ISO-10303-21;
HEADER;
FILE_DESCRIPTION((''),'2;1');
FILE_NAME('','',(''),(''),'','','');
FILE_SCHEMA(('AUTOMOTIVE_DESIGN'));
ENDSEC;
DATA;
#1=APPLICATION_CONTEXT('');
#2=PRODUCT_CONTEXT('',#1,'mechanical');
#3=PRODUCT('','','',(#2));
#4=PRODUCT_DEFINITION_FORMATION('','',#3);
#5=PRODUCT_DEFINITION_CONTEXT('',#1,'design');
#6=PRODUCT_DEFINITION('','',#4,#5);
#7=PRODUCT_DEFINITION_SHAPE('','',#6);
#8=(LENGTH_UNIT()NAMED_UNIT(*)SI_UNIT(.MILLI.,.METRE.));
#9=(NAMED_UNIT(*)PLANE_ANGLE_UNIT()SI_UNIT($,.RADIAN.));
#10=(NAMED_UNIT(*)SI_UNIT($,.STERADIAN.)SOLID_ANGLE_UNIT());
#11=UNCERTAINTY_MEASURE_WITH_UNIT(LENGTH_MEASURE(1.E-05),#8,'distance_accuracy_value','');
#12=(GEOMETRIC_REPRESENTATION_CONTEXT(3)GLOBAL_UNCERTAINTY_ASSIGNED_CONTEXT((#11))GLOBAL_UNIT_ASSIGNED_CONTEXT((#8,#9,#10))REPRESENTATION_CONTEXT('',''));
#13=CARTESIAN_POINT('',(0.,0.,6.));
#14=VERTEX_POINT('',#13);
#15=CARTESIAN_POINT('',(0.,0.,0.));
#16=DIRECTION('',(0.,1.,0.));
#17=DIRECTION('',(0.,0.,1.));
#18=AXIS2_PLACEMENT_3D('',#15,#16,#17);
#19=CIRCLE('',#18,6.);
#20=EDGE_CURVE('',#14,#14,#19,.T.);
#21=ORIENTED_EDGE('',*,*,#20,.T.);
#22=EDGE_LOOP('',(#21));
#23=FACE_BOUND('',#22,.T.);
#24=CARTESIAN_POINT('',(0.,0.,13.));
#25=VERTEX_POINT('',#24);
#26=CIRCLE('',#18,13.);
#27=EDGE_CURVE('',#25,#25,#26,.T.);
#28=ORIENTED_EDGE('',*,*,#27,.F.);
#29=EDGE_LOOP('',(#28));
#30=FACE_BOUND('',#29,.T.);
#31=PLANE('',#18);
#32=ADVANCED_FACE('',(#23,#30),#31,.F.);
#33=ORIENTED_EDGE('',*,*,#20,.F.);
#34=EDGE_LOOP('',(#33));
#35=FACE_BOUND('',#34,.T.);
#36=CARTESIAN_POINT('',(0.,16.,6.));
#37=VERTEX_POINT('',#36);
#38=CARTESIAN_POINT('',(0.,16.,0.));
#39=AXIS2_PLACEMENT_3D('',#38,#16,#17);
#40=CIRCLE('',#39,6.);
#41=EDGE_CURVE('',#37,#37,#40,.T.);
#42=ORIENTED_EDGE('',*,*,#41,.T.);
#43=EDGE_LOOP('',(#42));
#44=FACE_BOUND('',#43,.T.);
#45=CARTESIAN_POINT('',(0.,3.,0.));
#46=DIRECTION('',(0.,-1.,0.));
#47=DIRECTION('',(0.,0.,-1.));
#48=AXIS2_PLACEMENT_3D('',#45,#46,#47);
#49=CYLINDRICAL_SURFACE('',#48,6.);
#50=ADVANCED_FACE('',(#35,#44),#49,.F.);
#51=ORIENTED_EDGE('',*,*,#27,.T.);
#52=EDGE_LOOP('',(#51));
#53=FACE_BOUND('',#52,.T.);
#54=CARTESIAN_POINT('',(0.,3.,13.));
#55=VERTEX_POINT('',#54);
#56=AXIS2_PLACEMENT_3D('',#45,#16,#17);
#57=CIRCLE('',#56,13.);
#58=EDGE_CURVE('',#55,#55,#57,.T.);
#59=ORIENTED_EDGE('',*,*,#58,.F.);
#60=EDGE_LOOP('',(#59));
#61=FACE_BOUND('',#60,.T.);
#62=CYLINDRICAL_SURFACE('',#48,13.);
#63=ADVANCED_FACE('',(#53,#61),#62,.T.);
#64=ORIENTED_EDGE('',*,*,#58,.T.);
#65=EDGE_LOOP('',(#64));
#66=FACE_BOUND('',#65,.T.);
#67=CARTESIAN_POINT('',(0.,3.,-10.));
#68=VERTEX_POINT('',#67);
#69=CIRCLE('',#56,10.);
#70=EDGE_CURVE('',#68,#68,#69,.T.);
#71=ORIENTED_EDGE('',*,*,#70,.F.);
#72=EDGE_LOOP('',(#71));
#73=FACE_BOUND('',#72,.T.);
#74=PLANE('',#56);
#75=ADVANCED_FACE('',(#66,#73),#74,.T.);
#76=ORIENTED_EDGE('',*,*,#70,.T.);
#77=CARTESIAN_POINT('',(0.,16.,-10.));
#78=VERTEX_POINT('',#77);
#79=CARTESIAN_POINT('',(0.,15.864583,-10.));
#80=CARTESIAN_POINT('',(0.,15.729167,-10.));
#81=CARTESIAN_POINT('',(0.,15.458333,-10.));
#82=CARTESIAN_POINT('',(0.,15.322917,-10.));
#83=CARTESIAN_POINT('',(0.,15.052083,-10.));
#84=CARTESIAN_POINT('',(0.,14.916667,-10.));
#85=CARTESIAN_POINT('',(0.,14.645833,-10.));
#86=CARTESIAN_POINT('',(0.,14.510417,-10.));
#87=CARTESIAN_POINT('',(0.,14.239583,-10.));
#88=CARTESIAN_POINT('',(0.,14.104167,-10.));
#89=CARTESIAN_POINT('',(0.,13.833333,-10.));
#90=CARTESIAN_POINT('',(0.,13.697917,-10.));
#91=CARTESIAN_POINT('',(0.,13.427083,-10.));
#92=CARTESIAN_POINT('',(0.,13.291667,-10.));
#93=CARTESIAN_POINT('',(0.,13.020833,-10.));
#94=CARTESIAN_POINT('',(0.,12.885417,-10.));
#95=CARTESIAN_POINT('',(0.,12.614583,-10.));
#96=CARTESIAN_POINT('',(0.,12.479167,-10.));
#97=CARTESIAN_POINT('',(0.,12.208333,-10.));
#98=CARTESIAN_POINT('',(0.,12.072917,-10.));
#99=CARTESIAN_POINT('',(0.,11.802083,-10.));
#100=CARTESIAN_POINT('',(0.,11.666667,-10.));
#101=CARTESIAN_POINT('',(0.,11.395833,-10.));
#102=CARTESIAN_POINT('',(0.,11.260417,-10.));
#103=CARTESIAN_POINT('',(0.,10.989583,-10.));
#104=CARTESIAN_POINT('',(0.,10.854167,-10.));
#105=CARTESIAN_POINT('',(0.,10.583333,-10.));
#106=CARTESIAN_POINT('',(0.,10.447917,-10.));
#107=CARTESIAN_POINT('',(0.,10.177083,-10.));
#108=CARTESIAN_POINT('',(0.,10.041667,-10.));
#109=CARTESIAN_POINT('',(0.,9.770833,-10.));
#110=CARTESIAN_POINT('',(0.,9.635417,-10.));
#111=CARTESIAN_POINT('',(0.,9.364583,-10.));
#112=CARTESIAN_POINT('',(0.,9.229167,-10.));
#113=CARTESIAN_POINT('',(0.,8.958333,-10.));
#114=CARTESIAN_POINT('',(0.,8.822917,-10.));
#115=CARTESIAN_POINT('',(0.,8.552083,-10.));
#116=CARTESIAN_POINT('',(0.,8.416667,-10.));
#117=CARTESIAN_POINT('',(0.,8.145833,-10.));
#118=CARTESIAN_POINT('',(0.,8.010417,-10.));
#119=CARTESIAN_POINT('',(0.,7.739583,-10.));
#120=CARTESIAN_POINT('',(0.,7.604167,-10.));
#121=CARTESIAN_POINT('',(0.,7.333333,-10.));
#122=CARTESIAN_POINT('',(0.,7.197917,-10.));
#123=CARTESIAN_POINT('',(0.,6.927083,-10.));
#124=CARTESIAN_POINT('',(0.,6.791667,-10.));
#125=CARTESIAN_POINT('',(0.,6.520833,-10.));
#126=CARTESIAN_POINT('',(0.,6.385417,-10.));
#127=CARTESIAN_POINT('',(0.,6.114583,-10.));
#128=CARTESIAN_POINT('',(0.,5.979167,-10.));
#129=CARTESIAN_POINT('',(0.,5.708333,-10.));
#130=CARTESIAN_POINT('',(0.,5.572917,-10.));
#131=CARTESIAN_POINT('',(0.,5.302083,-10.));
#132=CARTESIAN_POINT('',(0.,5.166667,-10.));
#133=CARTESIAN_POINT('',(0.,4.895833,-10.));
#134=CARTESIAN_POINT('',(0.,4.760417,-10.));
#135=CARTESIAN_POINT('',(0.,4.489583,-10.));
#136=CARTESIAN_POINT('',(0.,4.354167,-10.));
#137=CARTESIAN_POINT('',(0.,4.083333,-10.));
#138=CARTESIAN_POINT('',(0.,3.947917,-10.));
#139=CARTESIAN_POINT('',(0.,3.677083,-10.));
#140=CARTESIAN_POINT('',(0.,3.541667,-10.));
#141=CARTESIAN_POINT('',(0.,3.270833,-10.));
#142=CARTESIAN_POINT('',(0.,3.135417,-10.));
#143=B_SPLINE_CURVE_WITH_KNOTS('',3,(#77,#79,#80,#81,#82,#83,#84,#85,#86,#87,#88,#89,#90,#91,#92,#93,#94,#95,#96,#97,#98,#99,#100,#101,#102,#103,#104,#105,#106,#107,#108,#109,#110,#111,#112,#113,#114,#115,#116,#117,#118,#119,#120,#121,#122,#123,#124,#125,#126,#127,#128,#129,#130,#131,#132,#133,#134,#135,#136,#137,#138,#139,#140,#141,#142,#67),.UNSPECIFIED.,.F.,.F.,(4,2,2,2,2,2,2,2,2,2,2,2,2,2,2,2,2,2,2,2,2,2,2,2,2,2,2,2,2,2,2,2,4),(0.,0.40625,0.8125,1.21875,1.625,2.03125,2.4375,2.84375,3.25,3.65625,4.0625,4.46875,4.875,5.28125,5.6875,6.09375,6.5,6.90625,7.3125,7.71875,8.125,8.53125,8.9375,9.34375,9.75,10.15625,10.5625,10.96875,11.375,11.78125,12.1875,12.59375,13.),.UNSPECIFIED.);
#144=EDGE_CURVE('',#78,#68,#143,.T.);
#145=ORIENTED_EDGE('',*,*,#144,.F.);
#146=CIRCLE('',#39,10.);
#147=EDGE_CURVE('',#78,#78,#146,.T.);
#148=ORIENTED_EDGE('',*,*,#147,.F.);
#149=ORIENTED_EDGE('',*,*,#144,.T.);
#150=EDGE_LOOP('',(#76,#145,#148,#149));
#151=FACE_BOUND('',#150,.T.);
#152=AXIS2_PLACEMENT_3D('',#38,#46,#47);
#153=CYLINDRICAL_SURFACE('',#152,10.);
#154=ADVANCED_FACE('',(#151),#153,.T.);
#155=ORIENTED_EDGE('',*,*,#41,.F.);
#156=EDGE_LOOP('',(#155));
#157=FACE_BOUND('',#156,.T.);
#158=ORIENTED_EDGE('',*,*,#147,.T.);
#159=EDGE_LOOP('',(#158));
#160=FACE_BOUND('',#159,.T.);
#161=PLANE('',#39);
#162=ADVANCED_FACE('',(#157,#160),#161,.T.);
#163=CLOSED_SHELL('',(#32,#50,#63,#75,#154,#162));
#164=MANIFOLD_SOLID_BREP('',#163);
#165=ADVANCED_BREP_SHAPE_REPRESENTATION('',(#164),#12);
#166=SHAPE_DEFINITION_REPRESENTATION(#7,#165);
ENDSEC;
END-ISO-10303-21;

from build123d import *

# Parameters (mm, degrees)
SKETCH_1_R      = 13
SKETCH_1_R_2    = 6
EXTRUDE_1_DEPTH = 3
SKETCH_2_R      = 10
SKETCH_2_R_2    = 6
EXTRUDE_2_DEPTH = 13


with BuildPart() as part:
    # 草圖1 → 填料-伸長1 (new body)
    with BuildSketch(Plane(origin=(0, 0, 0), x_dir=(1, 0, 0), z_dir=(0, 1, 0))):
        with Locations(Location((0, 0, 0), (0, 0, 270))):
            Circle(SKETCH_1_R)
        with Locations(Location((0, 0, 0), (0, 0, 270))):
            Circle(SKETCH_1_R_2, mode=Mode.SUBTRACT)
    extrude(amount=EXTRUDE_1_DEPTH)

    # 草圖2 → 填料-伸長2 (add)
    with BuildSketch(Plane(origin=(0, 3, 0), x_dir=(1, 0, 0), z_dir=(0, 1, 0))):
        with Locations(Location((0, 0, 0), (0, 0, 90))):
            Circle(SKETCH_2_R)
        with Locations(Location((0, 0, 0), (0, 0, 270))):
            Circle(SKETCH_2_R_2, mode=Mode.SUBTRACT)
    extrude(amount=EXTRUDE_2_DEPTH)


solid = part.part
